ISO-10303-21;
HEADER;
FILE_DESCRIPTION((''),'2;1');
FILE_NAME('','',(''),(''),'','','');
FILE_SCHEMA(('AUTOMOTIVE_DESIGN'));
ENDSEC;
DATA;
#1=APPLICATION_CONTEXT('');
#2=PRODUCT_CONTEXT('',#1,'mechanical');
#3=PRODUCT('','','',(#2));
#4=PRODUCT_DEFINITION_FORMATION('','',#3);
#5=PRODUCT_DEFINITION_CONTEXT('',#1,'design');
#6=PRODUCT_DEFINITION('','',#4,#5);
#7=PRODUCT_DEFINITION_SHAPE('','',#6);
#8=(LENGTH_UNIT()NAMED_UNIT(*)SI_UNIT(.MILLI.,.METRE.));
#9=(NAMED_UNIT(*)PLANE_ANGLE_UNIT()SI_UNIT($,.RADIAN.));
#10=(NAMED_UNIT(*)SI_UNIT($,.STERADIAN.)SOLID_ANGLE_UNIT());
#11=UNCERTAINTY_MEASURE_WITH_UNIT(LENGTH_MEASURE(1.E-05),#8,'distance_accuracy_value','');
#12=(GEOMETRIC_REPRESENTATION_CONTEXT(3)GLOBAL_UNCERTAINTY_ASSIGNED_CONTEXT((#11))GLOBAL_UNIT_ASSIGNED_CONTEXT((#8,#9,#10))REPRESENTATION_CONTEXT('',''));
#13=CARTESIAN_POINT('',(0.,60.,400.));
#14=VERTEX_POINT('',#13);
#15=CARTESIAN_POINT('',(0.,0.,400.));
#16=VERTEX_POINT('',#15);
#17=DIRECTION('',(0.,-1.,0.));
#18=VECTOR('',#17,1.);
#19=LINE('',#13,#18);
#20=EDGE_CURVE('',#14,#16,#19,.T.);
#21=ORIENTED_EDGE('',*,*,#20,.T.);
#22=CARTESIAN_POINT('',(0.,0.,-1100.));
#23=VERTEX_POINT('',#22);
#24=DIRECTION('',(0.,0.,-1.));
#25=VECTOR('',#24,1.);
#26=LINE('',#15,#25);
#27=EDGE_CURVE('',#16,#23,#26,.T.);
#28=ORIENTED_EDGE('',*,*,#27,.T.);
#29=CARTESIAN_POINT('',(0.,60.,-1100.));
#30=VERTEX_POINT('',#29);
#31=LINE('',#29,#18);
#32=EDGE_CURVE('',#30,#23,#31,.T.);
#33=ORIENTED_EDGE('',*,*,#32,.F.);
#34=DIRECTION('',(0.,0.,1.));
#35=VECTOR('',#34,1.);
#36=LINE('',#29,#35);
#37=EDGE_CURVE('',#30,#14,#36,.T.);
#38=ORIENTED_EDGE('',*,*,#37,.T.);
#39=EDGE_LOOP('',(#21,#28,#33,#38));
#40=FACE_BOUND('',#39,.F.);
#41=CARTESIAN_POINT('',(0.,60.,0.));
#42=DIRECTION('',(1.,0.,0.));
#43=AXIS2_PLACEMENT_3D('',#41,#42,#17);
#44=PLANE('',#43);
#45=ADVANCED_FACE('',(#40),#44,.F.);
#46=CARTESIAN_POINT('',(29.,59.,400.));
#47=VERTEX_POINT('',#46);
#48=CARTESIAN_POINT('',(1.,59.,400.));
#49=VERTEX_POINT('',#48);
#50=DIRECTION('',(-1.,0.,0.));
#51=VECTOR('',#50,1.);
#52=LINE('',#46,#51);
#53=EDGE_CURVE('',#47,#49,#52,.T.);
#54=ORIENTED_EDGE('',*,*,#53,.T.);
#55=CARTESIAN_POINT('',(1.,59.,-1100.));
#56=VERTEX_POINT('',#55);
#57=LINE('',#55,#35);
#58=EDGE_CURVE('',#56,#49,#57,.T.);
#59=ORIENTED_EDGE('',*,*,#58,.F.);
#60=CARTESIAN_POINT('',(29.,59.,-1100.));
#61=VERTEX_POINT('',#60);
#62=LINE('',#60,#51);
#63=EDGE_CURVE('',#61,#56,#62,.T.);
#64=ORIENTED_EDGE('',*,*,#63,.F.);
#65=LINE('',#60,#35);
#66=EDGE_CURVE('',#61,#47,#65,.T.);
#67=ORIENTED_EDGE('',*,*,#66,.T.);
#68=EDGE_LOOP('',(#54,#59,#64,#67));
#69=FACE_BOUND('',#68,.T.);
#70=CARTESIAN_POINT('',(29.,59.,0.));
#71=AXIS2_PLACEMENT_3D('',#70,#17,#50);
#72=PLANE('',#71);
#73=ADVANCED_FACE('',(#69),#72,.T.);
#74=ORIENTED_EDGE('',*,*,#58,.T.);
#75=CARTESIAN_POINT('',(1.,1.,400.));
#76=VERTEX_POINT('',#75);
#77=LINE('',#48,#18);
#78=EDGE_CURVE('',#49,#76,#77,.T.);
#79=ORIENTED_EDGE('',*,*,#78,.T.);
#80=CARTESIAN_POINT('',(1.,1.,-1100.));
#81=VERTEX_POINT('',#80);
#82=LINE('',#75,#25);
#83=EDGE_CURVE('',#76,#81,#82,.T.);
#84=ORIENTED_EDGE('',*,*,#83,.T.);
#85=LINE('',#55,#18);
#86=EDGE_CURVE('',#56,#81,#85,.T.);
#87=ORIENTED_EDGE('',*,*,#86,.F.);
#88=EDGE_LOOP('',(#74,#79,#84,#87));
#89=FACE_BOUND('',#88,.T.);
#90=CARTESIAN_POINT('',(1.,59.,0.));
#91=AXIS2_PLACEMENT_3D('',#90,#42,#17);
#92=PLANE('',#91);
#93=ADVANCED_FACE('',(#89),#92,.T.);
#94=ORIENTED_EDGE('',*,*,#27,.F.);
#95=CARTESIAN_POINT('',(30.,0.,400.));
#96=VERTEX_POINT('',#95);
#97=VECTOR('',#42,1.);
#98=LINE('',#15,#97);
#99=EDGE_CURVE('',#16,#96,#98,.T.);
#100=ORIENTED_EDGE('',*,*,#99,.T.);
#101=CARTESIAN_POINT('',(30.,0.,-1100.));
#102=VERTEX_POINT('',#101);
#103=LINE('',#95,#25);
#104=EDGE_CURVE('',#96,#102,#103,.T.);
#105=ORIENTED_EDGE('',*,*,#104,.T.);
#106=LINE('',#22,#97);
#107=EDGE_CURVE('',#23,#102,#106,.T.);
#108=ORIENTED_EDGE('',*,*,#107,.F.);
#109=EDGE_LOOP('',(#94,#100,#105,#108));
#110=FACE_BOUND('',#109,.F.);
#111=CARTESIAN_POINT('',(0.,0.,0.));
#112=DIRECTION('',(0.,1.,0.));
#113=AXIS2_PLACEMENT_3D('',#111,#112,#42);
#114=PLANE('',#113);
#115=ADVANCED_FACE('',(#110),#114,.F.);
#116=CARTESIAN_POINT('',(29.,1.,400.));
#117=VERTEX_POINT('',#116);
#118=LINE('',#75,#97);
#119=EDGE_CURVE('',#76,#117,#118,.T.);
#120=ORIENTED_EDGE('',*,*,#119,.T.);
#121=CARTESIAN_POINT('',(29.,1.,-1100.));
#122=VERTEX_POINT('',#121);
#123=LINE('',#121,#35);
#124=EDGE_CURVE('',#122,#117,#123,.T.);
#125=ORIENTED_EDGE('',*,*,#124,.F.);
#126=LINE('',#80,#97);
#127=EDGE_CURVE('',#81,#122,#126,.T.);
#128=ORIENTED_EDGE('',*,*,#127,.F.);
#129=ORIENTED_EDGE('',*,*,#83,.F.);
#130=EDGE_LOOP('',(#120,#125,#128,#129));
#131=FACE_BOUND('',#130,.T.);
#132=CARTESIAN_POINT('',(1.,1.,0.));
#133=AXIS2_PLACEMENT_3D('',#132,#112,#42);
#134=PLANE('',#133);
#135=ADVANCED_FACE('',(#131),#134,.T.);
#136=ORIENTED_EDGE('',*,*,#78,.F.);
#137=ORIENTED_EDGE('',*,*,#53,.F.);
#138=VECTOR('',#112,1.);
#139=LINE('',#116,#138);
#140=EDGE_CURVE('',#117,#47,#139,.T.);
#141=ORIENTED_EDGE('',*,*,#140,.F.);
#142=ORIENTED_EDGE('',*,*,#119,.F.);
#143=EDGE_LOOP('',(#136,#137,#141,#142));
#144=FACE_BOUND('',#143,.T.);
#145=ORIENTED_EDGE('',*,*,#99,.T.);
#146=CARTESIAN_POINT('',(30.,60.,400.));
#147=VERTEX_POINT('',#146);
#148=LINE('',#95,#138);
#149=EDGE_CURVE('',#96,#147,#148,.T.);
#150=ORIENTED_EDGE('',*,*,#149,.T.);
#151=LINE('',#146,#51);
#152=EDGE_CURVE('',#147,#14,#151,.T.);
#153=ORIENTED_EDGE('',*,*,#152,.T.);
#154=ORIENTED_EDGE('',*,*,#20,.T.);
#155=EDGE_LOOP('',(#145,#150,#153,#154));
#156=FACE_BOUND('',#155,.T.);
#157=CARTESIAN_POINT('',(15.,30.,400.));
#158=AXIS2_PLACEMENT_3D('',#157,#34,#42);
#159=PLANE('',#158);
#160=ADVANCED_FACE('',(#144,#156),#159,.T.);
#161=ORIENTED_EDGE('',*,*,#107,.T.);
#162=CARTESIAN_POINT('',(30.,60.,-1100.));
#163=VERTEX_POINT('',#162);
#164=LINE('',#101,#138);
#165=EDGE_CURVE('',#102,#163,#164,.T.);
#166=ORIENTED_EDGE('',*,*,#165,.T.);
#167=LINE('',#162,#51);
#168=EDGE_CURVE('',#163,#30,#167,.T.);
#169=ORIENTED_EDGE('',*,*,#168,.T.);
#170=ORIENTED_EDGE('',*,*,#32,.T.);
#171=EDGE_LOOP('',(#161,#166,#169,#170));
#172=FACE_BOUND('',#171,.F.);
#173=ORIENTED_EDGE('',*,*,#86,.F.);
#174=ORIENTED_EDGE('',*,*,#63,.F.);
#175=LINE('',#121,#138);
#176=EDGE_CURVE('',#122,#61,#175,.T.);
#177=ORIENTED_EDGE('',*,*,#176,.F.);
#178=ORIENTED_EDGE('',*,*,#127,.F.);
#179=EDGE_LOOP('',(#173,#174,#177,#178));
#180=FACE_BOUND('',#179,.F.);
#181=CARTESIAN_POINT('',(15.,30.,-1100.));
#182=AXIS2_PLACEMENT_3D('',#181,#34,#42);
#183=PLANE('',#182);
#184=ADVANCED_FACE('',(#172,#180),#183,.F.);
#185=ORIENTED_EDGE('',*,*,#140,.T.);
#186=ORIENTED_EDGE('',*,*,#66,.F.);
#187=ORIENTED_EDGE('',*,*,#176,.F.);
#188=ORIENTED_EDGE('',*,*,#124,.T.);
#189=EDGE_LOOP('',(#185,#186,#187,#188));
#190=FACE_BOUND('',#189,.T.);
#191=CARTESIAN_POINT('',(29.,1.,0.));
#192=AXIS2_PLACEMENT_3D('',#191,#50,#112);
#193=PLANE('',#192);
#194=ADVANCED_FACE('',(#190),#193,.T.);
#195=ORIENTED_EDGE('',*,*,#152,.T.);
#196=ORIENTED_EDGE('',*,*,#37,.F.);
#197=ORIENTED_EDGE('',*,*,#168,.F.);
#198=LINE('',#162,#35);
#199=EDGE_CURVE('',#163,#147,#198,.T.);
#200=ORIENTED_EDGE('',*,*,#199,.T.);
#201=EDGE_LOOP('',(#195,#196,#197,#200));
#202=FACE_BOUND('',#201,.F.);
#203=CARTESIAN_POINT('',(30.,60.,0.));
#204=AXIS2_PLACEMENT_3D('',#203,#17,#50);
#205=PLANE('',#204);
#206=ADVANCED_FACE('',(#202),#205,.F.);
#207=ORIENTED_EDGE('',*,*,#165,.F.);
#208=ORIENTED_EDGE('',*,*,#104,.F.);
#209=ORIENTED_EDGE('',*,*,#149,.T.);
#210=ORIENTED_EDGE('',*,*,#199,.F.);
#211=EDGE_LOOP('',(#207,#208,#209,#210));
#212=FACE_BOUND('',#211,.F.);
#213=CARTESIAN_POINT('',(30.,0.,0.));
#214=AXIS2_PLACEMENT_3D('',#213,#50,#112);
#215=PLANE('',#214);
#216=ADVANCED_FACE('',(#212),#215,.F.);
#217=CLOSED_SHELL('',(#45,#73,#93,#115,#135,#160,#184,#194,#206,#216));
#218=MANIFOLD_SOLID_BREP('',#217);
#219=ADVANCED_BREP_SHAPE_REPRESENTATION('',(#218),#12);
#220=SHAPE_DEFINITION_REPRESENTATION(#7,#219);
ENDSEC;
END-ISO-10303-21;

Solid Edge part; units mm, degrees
sketch "Sketch1" plane through (0, 0, 0) normal (0, 0, 1) x (1, 0, 0)
  line L0 (29, 1) -> (29, 59)
  line L1 (29, 59) -> (1, 59)
  line L2 (1, 59) -> (1, 1)
  line L3 (1, 1) -> (29, 1)
  line L4 (30, 0) -> (30, 60)
  line L5 (30, 60) -> (0, 60)
  line L6 (0, 60) -> (0, 0)
  line L7 (0, 0) -> (30, 0)
extrude "Protrusion1" add sketch "Sketch1" along normal blind 400
sketch "Sketch2" plane through (0, 0, 0) normal (0, 0, 1) x (1, 0, 0)
  line L0 (30, 0) -> (30, 60)
  line L1 (30, 60) -> (0, 60)
  line L2 (0, 60) -> (0, 0)
  line L3 (0, 0) -> (30, 0)
  line L4 (29, 1) -> (29, 59)
  line L5 (29, 59) -> (1, 59)
  line L6 (1, 59) -> (1, 1)
  line L7 (1, 1) -> (29, 1)
extrude "ExtrudedProtrusion_6" add sketch "Sketch2" against normal blind 1100
properties material "Galvanized steel"
